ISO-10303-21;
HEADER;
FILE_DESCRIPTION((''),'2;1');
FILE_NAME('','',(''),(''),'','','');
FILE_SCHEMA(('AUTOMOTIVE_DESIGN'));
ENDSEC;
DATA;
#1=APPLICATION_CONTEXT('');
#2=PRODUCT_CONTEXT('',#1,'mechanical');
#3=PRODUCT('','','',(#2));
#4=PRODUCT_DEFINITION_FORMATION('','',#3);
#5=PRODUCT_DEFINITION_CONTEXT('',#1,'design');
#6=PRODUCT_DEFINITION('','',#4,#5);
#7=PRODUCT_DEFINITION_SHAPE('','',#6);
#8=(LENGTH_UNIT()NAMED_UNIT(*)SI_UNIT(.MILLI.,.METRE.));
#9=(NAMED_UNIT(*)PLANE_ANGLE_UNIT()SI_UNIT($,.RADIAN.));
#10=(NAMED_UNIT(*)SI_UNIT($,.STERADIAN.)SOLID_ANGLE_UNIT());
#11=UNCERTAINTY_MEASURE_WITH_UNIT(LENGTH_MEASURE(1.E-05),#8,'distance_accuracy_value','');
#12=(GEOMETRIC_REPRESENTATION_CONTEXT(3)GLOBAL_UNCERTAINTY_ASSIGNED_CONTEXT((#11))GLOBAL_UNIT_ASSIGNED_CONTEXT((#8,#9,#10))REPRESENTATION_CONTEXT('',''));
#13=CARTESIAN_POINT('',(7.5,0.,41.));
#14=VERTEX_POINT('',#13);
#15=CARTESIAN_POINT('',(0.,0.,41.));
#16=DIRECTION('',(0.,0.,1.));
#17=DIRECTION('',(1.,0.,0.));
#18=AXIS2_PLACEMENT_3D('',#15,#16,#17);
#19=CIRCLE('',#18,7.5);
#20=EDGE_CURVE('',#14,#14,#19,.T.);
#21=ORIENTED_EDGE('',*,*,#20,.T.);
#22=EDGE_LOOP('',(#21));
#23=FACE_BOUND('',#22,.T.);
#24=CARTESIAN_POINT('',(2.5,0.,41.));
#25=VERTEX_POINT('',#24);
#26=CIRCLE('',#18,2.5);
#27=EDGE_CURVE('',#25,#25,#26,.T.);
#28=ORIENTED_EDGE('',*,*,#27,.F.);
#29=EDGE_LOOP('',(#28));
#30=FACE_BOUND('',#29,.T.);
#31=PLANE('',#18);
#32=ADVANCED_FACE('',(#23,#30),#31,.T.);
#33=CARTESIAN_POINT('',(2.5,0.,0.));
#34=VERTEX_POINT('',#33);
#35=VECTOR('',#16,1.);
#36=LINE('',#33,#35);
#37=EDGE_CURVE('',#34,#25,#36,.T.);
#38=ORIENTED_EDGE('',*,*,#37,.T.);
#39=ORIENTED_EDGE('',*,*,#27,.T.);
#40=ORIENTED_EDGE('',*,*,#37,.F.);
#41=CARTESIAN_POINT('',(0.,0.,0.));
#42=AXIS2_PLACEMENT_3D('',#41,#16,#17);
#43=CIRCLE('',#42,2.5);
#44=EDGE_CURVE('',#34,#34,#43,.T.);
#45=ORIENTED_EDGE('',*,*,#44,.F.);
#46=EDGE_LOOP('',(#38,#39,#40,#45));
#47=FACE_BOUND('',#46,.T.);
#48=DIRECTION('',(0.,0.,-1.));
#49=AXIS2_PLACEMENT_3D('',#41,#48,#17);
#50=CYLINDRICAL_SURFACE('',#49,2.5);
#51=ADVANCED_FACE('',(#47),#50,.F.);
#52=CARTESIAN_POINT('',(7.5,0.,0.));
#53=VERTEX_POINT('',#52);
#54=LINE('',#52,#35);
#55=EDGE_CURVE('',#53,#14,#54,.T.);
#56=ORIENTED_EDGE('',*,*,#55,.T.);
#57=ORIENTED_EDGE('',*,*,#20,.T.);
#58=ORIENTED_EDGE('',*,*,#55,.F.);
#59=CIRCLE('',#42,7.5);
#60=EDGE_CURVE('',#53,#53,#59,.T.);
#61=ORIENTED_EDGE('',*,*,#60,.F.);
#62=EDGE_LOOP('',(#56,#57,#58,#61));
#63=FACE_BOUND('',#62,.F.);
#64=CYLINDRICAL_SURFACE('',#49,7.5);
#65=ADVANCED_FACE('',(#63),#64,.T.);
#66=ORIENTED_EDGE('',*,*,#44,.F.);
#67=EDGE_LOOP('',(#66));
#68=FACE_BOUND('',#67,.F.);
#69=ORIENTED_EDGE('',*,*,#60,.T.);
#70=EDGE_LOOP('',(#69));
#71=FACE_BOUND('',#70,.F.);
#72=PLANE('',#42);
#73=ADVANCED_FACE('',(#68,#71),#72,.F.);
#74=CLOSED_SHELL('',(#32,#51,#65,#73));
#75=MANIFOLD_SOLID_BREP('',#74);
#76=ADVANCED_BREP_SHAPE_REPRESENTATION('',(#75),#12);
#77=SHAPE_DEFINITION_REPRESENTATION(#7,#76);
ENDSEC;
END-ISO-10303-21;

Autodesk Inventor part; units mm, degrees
ref_plane "YZ Plane" through (0, 0, 0) normal (1, 0, 0) x (0, 1, 0)
ref_plane "XZ Plane" through (0, 0, 0) normal (0, 1, 0) x (-1, 0, 0)
ref_plane "XY Plane" through (0, 0, 0) normal (0, 0, 1) x (1, 0, 0)
sketch "スケッチ1" plane through (0, 0, 0) normal (0, 0, 1) x (1, 0, 0)
  circle A0 centre (0, 0) radius 7.5
  circle A1 centre (0, 0) radius 2.5
  dimension "d0" = 15
  dimension "d1" = 5
extrude "押し出し1" add sketch "スケッチ1" along normal blind 41
properties part number "shaft20_20mm"
